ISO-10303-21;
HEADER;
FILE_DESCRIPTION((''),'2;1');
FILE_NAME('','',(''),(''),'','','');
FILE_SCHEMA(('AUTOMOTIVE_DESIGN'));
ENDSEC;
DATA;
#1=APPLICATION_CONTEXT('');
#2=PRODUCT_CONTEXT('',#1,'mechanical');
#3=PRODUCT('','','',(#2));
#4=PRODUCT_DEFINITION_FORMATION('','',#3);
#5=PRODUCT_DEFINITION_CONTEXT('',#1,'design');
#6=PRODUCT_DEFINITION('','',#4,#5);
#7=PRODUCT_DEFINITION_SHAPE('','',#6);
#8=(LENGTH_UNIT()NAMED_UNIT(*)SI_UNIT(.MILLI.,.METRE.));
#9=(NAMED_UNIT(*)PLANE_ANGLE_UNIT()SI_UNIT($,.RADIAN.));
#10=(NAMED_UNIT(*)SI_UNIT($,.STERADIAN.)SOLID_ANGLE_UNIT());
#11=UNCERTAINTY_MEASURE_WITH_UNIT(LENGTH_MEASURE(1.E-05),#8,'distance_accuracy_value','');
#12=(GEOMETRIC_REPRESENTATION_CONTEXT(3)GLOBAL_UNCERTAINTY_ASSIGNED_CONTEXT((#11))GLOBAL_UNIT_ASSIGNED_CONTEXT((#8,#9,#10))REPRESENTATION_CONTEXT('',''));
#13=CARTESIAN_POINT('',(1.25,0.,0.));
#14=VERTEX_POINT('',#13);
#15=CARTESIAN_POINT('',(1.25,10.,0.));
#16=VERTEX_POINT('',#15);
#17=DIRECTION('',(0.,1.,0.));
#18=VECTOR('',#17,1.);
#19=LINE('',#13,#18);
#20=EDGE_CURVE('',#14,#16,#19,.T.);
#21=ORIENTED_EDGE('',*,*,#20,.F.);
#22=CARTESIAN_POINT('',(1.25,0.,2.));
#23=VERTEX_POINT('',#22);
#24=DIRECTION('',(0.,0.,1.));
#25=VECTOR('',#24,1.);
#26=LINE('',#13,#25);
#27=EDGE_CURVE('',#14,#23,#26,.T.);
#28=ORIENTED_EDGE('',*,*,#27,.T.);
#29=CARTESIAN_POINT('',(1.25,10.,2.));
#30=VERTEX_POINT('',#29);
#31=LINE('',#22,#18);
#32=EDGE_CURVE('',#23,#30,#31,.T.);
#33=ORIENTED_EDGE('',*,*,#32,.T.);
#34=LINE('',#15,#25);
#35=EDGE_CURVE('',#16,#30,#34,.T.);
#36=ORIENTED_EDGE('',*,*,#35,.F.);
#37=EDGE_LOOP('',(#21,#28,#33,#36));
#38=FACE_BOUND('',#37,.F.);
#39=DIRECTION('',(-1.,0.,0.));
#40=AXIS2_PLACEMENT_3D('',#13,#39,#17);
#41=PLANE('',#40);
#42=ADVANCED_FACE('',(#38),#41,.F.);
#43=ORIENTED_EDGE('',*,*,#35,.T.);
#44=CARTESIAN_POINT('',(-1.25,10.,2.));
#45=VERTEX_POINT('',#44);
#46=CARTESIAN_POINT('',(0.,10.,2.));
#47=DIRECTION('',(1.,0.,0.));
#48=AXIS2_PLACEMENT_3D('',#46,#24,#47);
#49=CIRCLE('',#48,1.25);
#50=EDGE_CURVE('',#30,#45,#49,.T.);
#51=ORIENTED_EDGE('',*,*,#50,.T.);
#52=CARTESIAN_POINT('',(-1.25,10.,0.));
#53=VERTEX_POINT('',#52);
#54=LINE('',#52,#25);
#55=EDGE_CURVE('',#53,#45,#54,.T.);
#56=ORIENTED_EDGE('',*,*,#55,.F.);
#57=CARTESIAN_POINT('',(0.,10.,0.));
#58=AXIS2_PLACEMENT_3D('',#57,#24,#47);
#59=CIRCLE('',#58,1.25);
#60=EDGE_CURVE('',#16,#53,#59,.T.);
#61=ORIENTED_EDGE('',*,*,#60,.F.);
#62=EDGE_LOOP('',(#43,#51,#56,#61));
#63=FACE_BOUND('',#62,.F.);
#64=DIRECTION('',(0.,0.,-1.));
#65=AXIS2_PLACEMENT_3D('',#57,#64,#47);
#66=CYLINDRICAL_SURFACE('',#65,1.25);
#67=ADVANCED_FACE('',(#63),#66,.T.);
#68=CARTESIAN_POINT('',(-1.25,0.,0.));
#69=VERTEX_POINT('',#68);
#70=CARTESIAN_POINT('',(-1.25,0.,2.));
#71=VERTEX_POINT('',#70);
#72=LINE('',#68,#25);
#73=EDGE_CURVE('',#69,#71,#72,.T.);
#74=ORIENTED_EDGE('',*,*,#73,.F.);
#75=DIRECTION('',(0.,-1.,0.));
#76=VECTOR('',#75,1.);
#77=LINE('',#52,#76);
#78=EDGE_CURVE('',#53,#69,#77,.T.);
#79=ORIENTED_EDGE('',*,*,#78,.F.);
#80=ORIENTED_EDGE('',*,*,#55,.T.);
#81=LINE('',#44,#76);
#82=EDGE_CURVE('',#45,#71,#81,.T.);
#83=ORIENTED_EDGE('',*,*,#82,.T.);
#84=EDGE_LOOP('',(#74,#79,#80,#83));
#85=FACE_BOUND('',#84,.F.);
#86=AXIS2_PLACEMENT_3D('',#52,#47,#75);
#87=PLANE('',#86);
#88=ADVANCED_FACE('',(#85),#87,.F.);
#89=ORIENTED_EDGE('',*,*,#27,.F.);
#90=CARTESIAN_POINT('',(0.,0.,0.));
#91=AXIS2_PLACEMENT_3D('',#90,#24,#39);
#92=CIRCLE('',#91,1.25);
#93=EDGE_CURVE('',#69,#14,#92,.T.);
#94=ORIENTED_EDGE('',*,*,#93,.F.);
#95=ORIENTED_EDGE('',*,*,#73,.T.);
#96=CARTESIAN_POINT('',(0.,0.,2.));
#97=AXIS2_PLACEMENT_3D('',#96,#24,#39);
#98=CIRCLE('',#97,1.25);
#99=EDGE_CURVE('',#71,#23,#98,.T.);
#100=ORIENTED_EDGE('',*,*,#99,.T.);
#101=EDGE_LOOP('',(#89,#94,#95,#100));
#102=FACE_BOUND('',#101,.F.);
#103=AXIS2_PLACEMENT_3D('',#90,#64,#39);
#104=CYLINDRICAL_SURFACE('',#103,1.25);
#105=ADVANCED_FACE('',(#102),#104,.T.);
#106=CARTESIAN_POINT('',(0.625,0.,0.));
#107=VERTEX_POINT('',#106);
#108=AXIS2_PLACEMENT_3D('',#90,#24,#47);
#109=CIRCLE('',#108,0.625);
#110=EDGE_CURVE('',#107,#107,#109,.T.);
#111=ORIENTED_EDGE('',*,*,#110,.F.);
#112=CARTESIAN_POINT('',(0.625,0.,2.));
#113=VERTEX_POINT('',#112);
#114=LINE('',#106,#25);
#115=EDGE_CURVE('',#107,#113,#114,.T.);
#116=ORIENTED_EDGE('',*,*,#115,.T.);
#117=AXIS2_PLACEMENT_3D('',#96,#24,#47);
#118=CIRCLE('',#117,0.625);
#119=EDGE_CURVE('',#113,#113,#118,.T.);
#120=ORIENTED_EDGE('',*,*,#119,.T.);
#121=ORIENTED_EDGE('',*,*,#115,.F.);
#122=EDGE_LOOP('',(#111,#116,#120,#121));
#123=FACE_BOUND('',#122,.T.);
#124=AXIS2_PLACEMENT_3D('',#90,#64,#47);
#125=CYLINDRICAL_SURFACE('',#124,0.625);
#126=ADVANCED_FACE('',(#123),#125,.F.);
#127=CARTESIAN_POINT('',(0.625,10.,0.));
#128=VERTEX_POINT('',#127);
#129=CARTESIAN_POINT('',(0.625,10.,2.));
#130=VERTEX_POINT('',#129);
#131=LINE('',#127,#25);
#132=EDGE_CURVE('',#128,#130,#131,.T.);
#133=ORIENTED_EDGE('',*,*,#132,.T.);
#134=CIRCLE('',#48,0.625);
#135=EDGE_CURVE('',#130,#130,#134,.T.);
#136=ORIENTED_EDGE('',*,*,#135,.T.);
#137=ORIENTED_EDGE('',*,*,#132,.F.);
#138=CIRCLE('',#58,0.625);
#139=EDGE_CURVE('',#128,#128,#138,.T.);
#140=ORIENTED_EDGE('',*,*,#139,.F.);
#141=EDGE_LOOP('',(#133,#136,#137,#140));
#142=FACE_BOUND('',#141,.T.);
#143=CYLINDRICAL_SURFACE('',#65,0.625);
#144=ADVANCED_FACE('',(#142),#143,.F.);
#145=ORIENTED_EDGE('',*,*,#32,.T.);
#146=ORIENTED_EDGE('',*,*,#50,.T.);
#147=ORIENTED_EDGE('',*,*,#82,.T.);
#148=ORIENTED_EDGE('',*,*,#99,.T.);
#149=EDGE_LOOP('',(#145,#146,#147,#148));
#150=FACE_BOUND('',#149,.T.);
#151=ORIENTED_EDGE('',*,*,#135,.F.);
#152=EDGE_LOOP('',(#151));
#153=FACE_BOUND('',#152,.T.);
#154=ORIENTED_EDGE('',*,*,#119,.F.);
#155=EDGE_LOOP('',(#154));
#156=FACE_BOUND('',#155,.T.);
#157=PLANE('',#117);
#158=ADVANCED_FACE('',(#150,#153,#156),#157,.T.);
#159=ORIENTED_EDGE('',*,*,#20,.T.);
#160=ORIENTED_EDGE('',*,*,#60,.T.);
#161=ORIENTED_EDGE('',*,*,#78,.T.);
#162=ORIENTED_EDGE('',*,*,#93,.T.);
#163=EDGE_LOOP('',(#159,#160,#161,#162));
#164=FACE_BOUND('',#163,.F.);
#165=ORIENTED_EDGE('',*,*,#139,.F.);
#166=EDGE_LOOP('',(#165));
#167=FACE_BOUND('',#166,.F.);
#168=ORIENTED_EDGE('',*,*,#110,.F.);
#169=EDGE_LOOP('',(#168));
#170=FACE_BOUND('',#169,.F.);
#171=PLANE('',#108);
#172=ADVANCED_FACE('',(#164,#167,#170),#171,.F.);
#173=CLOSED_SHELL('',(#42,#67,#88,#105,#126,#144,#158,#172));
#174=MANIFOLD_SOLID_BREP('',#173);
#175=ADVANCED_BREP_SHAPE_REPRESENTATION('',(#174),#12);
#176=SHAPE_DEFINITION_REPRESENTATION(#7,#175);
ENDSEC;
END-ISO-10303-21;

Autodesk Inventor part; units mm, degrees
ref_plane "YZ Plane" through (0, 0, 0) normal (1, 0, 0) x (0, 1, 0)
ref_plane "XZ Plane" through (0, 0, 0) normal (0, 1, 0) x (-1, 0, 0)
ref_plane "XY Plane" through (0, 0, 0) normal (0, 0, 1) x (1, 0, 0)
sketch "草圖1" plane through (0, 0, 0) normal (0, 0, 1) x (1, 0, 0)
  line L0 (0, 0) -> (0, 10) construction
  line L1 (1.25, 0) -> (1.25, 10)
  line L2 (-1.25, 10) -> (-1.25, 0)
  arc A0 (-1.25, 0) -> (1.25, 0) centre (0, 0) ccw
  arc A1 (1.25, 10) -> (-1.25, 10) centre (0, 10) ccw
  circle A2 centre (0, 10) radius 0.625
  circle A3 centre (0, 0) radius 0.625
  point P0 (0, 5)
  dimension "d0" = 10
  dimension "d1" = 2.5
  dimension "d2" = 1.25
  dimension "d3" = 1.25
extrude "擠出1" add sketch "草圖1" along normal blind 2
properties part number "3"
